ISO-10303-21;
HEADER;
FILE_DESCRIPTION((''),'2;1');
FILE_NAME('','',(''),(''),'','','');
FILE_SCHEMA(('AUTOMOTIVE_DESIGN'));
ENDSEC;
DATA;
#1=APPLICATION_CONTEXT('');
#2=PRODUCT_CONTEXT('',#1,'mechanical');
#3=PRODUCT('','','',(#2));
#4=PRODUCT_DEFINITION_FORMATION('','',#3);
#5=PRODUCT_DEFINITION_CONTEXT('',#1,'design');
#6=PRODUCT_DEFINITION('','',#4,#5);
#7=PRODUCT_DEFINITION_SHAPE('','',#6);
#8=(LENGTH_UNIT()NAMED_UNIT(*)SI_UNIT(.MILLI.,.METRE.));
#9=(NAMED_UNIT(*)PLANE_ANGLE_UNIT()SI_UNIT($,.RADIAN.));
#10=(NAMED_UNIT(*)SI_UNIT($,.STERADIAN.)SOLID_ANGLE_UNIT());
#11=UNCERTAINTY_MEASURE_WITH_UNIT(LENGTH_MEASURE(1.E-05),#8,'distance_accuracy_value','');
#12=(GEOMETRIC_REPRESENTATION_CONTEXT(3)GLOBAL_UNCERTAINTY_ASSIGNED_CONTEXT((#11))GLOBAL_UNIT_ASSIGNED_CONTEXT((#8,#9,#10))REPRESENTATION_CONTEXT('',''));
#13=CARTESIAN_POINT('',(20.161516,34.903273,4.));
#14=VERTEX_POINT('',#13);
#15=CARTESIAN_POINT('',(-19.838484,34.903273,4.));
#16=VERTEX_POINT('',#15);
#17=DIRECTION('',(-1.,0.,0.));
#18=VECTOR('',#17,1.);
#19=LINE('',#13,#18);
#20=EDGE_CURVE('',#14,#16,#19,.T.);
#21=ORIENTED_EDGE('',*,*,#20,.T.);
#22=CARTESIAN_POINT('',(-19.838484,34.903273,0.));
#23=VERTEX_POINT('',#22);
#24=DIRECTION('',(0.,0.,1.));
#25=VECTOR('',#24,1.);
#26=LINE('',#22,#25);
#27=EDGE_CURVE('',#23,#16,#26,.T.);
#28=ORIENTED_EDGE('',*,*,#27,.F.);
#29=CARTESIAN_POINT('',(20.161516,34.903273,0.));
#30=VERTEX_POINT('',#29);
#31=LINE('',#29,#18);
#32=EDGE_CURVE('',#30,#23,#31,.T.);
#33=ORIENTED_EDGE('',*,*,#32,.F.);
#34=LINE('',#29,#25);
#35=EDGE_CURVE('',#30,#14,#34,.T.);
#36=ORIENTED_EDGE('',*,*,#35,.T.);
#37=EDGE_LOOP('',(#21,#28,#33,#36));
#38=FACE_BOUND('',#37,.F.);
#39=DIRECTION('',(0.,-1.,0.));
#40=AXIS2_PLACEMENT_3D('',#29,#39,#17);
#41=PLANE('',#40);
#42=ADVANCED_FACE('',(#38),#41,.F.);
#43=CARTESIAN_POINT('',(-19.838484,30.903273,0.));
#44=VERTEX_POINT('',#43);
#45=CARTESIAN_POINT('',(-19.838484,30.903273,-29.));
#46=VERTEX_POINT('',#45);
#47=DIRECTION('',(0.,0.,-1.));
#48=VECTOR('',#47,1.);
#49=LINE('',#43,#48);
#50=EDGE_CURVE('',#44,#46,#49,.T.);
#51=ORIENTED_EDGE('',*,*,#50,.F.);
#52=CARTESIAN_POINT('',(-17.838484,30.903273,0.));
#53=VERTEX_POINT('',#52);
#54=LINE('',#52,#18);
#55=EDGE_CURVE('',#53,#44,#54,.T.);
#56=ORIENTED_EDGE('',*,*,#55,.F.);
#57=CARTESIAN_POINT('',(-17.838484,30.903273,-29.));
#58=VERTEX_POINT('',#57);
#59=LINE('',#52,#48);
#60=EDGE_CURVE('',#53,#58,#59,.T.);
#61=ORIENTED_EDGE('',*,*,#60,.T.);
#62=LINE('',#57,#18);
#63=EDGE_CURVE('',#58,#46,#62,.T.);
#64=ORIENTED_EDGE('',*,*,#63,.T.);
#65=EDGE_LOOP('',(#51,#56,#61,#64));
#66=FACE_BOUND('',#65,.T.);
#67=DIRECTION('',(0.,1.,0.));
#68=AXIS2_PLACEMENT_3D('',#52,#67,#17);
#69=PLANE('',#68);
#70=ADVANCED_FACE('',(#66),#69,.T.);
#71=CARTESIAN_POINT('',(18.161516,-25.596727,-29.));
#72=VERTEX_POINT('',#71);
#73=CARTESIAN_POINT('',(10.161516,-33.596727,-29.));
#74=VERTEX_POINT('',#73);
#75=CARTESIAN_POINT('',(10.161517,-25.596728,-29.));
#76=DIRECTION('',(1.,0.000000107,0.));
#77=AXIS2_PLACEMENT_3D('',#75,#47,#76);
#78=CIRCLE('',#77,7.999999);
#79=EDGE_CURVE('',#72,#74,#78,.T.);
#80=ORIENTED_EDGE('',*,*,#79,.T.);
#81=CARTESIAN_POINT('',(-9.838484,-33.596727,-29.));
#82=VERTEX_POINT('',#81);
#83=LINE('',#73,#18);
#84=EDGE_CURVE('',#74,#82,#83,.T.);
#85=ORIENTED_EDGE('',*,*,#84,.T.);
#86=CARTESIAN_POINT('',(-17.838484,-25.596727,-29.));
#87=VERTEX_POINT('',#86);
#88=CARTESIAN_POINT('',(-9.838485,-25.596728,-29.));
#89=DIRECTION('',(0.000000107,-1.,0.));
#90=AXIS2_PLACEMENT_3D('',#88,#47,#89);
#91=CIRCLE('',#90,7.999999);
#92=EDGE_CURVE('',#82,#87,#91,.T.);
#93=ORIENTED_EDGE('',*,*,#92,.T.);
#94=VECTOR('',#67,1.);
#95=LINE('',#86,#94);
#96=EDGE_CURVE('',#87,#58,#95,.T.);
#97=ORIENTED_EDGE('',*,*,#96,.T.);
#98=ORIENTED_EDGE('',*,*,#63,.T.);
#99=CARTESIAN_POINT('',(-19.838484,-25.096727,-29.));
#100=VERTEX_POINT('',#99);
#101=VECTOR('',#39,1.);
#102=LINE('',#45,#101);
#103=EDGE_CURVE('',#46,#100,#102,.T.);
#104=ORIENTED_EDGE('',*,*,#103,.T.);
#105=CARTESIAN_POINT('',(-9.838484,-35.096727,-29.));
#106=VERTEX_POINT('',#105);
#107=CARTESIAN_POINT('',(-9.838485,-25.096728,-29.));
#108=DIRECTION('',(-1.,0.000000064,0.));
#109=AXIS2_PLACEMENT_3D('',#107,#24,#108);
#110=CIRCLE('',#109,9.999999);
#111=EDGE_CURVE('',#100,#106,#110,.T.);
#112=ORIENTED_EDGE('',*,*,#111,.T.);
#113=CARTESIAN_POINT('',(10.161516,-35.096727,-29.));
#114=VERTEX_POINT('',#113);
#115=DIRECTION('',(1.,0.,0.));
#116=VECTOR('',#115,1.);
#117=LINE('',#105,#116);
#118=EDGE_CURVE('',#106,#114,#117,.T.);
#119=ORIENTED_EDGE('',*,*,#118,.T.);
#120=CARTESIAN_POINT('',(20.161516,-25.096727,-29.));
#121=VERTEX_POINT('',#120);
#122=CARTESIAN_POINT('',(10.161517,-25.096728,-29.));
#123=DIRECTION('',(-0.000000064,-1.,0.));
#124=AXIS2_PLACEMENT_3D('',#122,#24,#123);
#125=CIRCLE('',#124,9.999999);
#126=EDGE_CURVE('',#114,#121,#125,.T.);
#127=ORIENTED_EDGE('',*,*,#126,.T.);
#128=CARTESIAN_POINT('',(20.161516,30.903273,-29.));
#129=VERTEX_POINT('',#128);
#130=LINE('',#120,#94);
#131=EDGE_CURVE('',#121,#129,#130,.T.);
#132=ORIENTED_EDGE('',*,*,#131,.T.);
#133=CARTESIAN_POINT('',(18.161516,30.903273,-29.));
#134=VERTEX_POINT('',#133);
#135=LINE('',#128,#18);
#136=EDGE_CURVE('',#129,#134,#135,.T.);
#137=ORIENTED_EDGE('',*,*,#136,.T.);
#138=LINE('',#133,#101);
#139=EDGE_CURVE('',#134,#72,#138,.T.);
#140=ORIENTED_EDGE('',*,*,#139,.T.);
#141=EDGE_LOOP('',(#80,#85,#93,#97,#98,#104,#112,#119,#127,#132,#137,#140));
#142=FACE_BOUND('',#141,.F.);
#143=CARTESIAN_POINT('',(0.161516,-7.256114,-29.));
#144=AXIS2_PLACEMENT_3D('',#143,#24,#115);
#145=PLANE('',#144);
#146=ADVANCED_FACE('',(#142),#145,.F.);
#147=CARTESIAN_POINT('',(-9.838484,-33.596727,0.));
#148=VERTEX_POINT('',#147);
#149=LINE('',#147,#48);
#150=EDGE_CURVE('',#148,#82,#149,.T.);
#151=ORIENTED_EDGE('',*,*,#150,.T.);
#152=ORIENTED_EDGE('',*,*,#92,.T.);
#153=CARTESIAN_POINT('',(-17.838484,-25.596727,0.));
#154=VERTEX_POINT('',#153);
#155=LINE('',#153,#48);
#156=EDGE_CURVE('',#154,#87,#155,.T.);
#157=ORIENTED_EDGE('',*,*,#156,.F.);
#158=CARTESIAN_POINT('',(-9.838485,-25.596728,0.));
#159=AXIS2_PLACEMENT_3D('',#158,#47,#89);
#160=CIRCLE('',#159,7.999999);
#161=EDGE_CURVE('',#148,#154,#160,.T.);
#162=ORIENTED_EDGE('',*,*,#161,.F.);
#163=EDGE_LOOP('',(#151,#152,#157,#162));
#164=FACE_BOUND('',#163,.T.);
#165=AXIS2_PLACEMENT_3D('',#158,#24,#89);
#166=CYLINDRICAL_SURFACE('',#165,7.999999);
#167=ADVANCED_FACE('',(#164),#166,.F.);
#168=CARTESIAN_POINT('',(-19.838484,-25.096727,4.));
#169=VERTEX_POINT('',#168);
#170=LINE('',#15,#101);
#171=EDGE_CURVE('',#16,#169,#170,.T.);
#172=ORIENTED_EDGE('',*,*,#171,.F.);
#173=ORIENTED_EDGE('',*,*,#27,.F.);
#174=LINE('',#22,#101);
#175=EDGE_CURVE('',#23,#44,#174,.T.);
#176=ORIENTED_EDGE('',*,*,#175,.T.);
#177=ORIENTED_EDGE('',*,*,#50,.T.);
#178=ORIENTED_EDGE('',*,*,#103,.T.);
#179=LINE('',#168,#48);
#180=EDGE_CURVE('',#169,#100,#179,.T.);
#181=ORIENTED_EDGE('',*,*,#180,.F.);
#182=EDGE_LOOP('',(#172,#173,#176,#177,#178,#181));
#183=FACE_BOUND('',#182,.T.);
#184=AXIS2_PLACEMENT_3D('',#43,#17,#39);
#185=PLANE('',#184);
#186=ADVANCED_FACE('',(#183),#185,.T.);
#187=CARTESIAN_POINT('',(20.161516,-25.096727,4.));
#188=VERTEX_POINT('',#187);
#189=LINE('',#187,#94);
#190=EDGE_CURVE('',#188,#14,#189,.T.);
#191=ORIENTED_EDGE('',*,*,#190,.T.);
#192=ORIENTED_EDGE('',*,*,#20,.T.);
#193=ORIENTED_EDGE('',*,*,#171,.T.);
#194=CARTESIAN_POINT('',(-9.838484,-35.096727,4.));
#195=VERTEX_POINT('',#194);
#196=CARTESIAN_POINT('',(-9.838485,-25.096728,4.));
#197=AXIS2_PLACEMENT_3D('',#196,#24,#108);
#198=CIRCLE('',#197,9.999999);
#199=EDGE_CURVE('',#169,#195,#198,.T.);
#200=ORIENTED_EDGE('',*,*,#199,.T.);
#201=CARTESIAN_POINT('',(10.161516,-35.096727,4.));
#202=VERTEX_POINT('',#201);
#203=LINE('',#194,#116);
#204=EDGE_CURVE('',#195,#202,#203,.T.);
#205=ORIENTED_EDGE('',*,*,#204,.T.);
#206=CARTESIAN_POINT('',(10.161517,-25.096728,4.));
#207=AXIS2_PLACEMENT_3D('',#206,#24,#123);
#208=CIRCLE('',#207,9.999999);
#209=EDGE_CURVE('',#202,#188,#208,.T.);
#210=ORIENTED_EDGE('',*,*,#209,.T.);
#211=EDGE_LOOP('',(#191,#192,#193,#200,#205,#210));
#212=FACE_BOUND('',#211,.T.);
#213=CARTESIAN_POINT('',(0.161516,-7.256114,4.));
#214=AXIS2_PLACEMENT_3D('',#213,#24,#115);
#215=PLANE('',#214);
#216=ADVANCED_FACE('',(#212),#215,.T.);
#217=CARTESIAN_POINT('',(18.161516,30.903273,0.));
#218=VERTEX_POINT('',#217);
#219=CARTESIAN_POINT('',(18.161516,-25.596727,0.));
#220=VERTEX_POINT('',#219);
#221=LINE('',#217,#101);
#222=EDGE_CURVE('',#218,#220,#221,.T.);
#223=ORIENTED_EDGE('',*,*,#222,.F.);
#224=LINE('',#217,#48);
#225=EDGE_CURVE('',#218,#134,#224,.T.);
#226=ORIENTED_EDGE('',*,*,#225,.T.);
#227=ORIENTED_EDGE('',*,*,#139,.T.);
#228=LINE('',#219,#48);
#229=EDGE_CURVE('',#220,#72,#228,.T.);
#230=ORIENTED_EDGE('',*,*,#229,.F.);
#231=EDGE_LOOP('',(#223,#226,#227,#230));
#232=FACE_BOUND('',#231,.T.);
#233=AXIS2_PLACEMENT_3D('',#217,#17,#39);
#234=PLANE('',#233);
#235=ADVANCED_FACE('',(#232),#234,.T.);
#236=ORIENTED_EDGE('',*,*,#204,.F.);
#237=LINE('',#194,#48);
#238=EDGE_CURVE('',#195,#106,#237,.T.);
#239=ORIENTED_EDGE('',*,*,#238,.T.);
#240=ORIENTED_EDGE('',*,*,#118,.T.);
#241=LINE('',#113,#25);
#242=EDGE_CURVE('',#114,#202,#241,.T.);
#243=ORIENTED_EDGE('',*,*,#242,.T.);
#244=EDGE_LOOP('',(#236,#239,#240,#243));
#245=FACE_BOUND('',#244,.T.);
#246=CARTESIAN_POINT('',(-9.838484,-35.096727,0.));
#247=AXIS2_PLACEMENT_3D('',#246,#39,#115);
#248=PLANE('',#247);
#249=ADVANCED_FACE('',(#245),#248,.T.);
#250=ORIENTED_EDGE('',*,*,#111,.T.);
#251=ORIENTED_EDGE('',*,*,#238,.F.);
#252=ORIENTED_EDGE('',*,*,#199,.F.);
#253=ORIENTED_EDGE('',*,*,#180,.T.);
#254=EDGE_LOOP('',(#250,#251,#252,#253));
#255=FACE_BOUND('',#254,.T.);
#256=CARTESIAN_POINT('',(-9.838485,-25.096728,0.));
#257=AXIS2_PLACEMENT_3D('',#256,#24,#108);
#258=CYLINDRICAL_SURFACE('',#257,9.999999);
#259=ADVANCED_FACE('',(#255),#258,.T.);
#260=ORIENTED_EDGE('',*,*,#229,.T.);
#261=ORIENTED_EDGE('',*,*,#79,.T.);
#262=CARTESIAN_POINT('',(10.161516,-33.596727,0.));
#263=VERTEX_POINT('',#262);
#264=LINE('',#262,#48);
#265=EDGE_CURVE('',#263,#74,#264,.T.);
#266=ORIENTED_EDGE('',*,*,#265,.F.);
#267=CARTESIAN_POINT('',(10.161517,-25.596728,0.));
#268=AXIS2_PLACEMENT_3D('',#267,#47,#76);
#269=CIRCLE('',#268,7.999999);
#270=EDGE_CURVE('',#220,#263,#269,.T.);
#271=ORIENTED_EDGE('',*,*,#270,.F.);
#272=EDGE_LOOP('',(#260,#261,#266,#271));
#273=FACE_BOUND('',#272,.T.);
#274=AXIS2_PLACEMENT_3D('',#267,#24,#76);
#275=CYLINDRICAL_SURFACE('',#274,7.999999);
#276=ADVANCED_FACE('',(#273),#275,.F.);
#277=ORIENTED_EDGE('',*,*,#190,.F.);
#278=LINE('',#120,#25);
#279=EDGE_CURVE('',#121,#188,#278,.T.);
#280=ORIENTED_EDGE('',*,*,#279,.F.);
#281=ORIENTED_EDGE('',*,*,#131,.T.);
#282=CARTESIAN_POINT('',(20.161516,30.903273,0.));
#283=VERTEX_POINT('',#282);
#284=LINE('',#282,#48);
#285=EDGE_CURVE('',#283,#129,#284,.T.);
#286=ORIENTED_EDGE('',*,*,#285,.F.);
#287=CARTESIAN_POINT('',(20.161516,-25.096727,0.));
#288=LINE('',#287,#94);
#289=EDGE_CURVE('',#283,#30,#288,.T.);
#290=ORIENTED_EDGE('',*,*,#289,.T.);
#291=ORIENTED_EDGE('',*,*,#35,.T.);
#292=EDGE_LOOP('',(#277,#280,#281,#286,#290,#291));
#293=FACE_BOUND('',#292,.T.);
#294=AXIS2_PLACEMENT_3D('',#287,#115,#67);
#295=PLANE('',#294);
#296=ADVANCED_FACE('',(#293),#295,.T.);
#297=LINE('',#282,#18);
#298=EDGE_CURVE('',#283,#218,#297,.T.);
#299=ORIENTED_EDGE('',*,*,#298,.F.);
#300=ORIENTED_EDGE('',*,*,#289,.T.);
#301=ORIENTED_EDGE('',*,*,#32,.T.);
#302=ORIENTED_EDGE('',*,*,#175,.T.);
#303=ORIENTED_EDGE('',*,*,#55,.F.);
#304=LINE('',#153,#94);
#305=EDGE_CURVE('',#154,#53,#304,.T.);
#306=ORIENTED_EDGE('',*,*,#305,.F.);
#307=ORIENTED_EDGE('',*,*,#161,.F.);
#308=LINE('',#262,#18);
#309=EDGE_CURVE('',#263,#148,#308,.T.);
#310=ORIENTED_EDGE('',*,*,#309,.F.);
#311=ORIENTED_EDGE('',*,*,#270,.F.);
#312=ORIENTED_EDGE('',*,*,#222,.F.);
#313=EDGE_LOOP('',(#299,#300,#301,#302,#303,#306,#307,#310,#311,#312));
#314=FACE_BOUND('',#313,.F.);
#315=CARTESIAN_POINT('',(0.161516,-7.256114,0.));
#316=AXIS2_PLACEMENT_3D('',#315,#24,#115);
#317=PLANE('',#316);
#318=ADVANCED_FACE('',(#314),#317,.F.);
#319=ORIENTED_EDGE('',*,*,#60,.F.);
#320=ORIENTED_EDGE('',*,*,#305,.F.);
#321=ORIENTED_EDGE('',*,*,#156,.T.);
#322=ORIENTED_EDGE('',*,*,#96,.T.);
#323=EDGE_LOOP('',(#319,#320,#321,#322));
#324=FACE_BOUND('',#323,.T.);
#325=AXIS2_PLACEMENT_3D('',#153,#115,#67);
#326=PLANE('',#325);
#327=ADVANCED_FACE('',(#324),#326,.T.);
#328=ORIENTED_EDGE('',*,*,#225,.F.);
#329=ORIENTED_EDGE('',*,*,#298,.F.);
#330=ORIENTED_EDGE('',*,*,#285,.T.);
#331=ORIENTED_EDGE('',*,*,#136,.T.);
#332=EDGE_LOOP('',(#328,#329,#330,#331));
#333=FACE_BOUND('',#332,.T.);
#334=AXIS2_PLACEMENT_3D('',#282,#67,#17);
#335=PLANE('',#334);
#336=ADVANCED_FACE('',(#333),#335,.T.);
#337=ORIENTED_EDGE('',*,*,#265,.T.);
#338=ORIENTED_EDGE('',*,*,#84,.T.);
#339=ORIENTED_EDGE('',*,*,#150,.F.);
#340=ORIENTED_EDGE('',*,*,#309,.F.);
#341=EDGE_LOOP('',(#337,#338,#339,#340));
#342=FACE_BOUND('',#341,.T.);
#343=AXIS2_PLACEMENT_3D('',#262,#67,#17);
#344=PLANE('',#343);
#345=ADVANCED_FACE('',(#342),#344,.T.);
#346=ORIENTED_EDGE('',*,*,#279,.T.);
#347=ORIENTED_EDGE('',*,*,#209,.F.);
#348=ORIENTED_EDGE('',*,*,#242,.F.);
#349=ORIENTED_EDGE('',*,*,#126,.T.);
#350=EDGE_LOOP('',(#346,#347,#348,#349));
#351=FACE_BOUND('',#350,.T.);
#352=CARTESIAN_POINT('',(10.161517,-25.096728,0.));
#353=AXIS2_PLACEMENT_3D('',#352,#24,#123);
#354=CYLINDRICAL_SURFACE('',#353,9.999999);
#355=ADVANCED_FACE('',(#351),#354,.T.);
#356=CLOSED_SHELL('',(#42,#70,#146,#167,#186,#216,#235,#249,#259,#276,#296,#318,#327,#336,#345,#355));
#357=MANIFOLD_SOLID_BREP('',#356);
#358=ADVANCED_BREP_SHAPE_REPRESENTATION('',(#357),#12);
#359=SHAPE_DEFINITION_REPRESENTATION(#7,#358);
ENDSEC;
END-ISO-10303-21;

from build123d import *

# Parameters (mm, degrees)
F1_DEPTH = 4
F2_DEPTH = 29


with BuildPart() as f1:
    # F0 (on Top) → F1 (new body)
    with BuildSketch(Plane.XY):
        with BuildLine():
            Line((-9.838484, -35.096727), (10.161516, -35.096727))
            ThreePointArc((10.161516, -35.096727), (17.232584, -32.167795), (20.161516, -25.096727))
            Line((20.161516, -25.096727), (20.161516, 30.903273))
            Line((20.161516, 30.903273), (18.161516, 30.903273))
            Line((18.161516, 30.903273), (18.161516, -25.596727))
            ThreePointArc((18.161516, -25.596727), (15.81837, -31.253582), (10.161516, -33.596727))
            Line((10.161516, -33.596727), (-9.838484, -33.596727))
            ThreePointArc((-9.838484, -33.596727), (-15.495338, -31.253582), (-17.838484, -25.596727))
            Line((-17.838484, -25.596727), (-17.838484, 30.903273))
            Line((-17.838484, 30.903273), (-19.838484, 30.903273))
            Line((-19.838484, 30.903273), (-19.838484, -25.096727))
            ThreePointArc((-19.838484, -25.096727), (-16.909552, -32.167795), (-9.838484, -35.096727))
        make_face()
        Polygon((18.161516, 30.903273), (20.161516, 30.903273), (20.161516, 34.903273), (-19.838484, 34.903273), (-19.838484, 30.903273), (-17.838484, 30.903273), (-16.838484, 30.903273), (-14.838484, 30.903273), (15.161516, 30.903273), (17.161516, 30.903273), align=None)
        with BuildLine():
            Line((18.161516, -25.596727), (18.161516, 30.903273))
            Line((18.161516, 30.903273), (17.161516, 30.903273))
            Line((17.161516, 30.903273), (17.161516, -25.596727))
            ThreePointArc((17.161516, -25.596727), (15.111263, -30.546475), (10.161516, -32.596727))
            Line((10.161516, -32.596727), (-9.838484, -32.596727))
            ThreePointArc((-9.838484, -32.596727), (-14.788231, -30.546475), (-16.838484, -25.596727))
            Line((-16.838484, -25.596727), (-16.838484, 30.903273))
            Line((-16.838484, 30.903273), (-17.838484, 30.903273))
            Line((-17.838484, 30.903273), (-17.838484, -25.596727))
            ThreePointArc((-17.838484, -25.596727), (-15.495338, -31.253582), (-9.838484, -33.596727))
            Line((-9.838484, -33.596727), (10.161516, -33.596727))
            ThreePointArc((10.161516, -33.596727), (15.81837, -31.253582), (18.161516, -25.596727))
        make_face()
        with BuildLine():
            Line((15.161516, -25.596727), (15.161516, 30.903273))
            Line((15.161516, 30.903273), (-14.838484, 30.903273))
            Line((-14.838484, 30.903273), (-14.838484, -25.596727))
            ThreePointArc((-14.838484, -25.596727), (-13.374018, -29.132261), (-9.838484, -30.596727))
            Line((-9.838484, -30.596727), (10.161516, -30.596727))
            ThreePointArc((10.161516, -30.596727), (13.69705, -29.132261), (15.161516, -25.596727))
        make_face()
        with BuildLine():
            Line((17.161516, -25.596727), (17.161516, 30.903273))
            Line((17.161516, 30.903273), (15.161516, 30.903273))
            Line((15.161516, 30.903273), (15.161516, -25.596727))
            ThreePointArc((15.161516, -25.596727), (13.69705, -29.132261), (10.161516, -30.596727))
            Line((10.161516, -30.596727), (-9.838484, -30.596727))
            ThreePointArc((-9.838484, -30.596727), (-13.374018, -29.132261), (-14.838484, -25.596727))
            Line((-14.838484, -25.596727), (-14.838484, 30.903273))
            Line((-14.838484, 30.903273), (-16.838484, 30.903273))
            Line((-16.838484, 30.903273), (-16.838484, -25.596727))
            ThreePointArc((-16.838484, -25.596727), (-14.788231, -30.546475), (-9.838484, -32.596727))
            Line((-9.838484, -32.596727), (10.161516, -32.596727))
            ThreePointArc((10.161516, -32.596727), (15.111263, -30.546475), (17.161516, -25.596727))
        make_face()
    extrude(amount=F1_DEPTH)

    # F0 (on Top) → F2 (join)
    with BuildSketch(Plane.XY):
        with BuildLine():
            Line((-9.838484, -35.096727), (10.161516, -35.096727))
            ThreePointArc((10.161516, -35.096727), (17.232584, -32.167795), (20.161516, -25.096727))
            Line((20.161516, -25.096727), (20.161516, 30.903273))
            Line((20.161516, 30.903273), (18.161516, 30.903273))
            Line((18.161516, 30.903273), (18.161516, -25.596727))
            ThreePointArc((18.161516, -25.596727), (15.81837, -31.253582), (10.161516, -33.596727))
            Line((10.161516, -33.596727), (-9.838484, -33.596727))
            ThreePointArc((-9.838484, -33.596727), (-15.495338, -31.253582), (-17.838484, -25.596727))
            Line((-17.838484, -25.596727), (-17.838484, 30.903273))
            Line((-17.838484, 30.903273), (-19.838484, 30.903273))
            Line((-19.838484, 30.903273), (-19.838484, -25.096727))
            ThreePointArc((-19.838484, -25.096727), (-16.909552, -32.167795), (-9.838484, -35.096727))
        make_face()
    extrude(amount=-F2_DEPTH)


solid = f1.part
